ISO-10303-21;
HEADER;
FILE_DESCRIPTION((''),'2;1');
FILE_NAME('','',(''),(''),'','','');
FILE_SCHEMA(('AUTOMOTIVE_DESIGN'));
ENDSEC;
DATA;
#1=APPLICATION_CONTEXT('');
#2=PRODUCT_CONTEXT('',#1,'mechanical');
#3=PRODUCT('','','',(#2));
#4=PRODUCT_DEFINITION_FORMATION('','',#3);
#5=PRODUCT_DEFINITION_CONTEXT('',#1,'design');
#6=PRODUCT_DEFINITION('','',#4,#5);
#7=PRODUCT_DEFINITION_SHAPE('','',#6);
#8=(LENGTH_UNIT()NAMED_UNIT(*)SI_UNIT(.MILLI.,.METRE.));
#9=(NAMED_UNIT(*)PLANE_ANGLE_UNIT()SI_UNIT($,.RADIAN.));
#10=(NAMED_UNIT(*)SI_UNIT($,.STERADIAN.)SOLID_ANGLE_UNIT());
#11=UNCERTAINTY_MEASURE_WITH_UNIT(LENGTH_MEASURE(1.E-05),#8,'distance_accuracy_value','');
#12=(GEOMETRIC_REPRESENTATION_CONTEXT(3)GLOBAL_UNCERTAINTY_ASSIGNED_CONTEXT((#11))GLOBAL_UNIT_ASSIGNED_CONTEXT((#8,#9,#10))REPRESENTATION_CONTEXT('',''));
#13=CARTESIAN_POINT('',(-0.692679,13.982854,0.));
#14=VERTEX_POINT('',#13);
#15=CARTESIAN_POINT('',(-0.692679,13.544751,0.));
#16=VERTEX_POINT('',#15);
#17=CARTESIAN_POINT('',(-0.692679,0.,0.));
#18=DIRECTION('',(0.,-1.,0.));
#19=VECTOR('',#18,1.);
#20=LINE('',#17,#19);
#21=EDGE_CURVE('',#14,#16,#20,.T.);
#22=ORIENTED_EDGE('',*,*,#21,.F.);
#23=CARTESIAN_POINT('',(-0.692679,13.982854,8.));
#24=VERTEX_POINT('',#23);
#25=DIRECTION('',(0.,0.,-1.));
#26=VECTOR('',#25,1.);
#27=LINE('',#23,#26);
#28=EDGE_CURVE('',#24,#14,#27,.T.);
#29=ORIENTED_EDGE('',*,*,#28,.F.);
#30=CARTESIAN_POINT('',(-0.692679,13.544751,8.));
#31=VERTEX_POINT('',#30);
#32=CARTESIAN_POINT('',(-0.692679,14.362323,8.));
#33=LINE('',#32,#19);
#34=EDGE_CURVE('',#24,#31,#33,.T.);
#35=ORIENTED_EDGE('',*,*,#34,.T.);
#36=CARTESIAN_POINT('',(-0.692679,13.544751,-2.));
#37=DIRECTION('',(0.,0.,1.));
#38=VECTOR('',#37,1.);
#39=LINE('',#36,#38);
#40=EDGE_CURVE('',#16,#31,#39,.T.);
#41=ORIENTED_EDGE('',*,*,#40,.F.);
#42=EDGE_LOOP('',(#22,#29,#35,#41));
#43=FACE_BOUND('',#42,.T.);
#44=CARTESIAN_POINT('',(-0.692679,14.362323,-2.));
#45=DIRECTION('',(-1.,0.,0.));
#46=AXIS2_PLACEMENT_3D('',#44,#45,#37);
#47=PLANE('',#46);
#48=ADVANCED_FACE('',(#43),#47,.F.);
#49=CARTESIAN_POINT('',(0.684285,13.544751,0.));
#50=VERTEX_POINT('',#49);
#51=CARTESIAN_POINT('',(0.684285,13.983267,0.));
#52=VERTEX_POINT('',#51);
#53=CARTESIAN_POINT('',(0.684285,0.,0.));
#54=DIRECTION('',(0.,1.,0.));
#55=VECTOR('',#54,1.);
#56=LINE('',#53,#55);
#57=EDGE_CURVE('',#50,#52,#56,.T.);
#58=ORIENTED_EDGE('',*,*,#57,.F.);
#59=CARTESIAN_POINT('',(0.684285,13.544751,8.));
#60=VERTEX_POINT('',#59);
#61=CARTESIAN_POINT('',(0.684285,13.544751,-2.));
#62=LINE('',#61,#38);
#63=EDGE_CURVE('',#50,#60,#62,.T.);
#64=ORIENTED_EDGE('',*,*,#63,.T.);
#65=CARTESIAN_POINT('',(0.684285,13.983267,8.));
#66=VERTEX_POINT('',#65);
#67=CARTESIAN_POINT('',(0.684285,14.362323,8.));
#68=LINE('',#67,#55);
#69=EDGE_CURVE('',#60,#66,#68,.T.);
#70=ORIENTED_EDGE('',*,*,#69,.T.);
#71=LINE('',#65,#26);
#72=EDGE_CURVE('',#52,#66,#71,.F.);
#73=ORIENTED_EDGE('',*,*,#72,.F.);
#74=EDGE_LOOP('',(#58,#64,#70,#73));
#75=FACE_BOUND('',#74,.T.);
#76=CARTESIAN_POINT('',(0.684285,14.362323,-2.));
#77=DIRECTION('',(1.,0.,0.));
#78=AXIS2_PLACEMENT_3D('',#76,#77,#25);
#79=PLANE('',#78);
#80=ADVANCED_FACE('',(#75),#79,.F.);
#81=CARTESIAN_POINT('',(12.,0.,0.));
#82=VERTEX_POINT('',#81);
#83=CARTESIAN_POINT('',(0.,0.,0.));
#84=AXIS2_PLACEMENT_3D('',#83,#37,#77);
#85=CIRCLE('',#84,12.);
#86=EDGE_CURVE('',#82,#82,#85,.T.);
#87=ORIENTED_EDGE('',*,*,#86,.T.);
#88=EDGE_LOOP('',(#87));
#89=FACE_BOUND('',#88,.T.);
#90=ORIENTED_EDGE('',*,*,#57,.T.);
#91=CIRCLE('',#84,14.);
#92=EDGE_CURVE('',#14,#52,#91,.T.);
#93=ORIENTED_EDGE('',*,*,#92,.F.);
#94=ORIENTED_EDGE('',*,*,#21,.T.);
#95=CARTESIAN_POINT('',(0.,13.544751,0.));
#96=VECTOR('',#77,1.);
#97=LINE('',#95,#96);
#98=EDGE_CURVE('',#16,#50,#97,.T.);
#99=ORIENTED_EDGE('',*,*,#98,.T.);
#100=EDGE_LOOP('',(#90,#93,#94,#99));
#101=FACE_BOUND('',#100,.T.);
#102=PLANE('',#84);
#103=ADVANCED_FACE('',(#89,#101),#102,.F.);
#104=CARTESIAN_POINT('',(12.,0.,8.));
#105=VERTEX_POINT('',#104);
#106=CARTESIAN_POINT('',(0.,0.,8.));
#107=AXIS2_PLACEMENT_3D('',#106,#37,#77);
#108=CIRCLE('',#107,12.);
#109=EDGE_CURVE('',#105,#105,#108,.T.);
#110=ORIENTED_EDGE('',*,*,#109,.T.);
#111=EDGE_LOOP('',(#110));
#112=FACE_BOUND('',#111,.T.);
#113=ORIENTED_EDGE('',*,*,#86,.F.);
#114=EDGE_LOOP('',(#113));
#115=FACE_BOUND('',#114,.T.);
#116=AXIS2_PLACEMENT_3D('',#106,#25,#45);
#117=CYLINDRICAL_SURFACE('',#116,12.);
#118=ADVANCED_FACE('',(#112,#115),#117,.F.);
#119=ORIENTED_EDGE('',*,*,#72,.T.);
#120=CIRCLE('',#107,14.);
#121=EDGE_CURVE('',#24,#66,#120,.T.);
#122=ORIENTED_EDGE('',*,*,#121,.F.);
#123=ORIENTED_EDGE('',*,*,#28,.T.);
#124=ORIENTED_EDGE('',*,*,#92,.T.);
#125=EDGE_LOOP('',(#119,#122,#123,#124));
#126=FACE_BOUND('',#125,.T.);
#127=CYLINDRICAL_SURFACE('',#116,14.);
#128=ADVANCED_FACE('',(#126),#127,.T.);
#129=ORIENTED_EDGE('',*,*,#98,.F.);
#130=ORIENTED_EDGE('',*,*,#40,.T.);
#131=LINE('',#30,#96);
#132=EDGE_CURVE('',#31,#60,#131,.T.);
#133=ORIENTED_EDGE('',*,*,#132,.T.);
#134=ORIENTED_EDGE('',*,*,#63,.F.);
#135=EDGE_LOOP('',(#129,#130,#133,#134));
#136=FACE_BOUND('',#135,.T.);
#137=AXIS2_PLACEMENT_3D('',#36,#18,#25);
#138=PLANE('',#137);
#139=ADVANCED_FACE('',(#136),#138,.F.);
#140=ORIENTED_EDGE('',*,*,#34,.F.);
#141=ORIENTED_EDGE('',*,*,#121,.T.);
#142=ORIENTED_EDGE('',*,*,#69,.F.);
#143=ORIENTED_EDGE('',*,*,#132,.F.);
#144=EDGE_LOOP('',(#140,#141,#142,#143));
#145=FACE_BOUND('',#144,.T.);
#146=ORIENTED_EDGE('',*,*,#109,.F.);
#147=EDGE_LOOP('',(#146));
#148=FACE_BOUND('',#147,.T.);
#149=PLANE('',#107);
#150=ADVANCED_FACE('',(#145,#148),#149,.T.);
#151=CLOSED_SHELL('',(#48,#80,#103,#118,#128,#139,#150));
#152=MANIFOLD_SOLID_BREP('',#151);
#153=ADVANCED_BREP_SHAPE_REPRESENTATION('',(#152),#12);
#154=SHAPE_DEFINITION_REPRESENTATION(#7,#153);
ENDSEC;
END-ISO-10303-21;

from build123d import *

# Parameters (mm, degrees)
SKETCH1_R           = 14
SKETCH1_R_2         = 12
BOSS_EXTRUDE1_DEPTH = 8
SKETCH2_W           = 1.376963526
SKETCH2_H           = 0.817572093
CUT_EXTRUDE1_DEPTH  = 10


with BuildPart() as part:
    # Sketch1 → Boss-Extrude1 (new body)
    with BuildSketch(Plane.XY):
        Circle(SKETCH1_R)
        Circle(SKETCH1_R_2, mode=Mode.SUBTRACT)
    extrude(amount=BOSS_EXTRUDE1_DEPTH)

    # Sketch2 → Cut-Extrude1 (cut)
    with BuildSketch(Plane.XY.offset(8)):
        with Locations((-0.004197142, 13.953537254)):
            Rectangle(SKETCH2_W, SKETCH2_H)
    extrude(amount=-CUT_EXTRUDE1_DEPTH, mode=Mode.SUBTRACT)


solid = part.part
